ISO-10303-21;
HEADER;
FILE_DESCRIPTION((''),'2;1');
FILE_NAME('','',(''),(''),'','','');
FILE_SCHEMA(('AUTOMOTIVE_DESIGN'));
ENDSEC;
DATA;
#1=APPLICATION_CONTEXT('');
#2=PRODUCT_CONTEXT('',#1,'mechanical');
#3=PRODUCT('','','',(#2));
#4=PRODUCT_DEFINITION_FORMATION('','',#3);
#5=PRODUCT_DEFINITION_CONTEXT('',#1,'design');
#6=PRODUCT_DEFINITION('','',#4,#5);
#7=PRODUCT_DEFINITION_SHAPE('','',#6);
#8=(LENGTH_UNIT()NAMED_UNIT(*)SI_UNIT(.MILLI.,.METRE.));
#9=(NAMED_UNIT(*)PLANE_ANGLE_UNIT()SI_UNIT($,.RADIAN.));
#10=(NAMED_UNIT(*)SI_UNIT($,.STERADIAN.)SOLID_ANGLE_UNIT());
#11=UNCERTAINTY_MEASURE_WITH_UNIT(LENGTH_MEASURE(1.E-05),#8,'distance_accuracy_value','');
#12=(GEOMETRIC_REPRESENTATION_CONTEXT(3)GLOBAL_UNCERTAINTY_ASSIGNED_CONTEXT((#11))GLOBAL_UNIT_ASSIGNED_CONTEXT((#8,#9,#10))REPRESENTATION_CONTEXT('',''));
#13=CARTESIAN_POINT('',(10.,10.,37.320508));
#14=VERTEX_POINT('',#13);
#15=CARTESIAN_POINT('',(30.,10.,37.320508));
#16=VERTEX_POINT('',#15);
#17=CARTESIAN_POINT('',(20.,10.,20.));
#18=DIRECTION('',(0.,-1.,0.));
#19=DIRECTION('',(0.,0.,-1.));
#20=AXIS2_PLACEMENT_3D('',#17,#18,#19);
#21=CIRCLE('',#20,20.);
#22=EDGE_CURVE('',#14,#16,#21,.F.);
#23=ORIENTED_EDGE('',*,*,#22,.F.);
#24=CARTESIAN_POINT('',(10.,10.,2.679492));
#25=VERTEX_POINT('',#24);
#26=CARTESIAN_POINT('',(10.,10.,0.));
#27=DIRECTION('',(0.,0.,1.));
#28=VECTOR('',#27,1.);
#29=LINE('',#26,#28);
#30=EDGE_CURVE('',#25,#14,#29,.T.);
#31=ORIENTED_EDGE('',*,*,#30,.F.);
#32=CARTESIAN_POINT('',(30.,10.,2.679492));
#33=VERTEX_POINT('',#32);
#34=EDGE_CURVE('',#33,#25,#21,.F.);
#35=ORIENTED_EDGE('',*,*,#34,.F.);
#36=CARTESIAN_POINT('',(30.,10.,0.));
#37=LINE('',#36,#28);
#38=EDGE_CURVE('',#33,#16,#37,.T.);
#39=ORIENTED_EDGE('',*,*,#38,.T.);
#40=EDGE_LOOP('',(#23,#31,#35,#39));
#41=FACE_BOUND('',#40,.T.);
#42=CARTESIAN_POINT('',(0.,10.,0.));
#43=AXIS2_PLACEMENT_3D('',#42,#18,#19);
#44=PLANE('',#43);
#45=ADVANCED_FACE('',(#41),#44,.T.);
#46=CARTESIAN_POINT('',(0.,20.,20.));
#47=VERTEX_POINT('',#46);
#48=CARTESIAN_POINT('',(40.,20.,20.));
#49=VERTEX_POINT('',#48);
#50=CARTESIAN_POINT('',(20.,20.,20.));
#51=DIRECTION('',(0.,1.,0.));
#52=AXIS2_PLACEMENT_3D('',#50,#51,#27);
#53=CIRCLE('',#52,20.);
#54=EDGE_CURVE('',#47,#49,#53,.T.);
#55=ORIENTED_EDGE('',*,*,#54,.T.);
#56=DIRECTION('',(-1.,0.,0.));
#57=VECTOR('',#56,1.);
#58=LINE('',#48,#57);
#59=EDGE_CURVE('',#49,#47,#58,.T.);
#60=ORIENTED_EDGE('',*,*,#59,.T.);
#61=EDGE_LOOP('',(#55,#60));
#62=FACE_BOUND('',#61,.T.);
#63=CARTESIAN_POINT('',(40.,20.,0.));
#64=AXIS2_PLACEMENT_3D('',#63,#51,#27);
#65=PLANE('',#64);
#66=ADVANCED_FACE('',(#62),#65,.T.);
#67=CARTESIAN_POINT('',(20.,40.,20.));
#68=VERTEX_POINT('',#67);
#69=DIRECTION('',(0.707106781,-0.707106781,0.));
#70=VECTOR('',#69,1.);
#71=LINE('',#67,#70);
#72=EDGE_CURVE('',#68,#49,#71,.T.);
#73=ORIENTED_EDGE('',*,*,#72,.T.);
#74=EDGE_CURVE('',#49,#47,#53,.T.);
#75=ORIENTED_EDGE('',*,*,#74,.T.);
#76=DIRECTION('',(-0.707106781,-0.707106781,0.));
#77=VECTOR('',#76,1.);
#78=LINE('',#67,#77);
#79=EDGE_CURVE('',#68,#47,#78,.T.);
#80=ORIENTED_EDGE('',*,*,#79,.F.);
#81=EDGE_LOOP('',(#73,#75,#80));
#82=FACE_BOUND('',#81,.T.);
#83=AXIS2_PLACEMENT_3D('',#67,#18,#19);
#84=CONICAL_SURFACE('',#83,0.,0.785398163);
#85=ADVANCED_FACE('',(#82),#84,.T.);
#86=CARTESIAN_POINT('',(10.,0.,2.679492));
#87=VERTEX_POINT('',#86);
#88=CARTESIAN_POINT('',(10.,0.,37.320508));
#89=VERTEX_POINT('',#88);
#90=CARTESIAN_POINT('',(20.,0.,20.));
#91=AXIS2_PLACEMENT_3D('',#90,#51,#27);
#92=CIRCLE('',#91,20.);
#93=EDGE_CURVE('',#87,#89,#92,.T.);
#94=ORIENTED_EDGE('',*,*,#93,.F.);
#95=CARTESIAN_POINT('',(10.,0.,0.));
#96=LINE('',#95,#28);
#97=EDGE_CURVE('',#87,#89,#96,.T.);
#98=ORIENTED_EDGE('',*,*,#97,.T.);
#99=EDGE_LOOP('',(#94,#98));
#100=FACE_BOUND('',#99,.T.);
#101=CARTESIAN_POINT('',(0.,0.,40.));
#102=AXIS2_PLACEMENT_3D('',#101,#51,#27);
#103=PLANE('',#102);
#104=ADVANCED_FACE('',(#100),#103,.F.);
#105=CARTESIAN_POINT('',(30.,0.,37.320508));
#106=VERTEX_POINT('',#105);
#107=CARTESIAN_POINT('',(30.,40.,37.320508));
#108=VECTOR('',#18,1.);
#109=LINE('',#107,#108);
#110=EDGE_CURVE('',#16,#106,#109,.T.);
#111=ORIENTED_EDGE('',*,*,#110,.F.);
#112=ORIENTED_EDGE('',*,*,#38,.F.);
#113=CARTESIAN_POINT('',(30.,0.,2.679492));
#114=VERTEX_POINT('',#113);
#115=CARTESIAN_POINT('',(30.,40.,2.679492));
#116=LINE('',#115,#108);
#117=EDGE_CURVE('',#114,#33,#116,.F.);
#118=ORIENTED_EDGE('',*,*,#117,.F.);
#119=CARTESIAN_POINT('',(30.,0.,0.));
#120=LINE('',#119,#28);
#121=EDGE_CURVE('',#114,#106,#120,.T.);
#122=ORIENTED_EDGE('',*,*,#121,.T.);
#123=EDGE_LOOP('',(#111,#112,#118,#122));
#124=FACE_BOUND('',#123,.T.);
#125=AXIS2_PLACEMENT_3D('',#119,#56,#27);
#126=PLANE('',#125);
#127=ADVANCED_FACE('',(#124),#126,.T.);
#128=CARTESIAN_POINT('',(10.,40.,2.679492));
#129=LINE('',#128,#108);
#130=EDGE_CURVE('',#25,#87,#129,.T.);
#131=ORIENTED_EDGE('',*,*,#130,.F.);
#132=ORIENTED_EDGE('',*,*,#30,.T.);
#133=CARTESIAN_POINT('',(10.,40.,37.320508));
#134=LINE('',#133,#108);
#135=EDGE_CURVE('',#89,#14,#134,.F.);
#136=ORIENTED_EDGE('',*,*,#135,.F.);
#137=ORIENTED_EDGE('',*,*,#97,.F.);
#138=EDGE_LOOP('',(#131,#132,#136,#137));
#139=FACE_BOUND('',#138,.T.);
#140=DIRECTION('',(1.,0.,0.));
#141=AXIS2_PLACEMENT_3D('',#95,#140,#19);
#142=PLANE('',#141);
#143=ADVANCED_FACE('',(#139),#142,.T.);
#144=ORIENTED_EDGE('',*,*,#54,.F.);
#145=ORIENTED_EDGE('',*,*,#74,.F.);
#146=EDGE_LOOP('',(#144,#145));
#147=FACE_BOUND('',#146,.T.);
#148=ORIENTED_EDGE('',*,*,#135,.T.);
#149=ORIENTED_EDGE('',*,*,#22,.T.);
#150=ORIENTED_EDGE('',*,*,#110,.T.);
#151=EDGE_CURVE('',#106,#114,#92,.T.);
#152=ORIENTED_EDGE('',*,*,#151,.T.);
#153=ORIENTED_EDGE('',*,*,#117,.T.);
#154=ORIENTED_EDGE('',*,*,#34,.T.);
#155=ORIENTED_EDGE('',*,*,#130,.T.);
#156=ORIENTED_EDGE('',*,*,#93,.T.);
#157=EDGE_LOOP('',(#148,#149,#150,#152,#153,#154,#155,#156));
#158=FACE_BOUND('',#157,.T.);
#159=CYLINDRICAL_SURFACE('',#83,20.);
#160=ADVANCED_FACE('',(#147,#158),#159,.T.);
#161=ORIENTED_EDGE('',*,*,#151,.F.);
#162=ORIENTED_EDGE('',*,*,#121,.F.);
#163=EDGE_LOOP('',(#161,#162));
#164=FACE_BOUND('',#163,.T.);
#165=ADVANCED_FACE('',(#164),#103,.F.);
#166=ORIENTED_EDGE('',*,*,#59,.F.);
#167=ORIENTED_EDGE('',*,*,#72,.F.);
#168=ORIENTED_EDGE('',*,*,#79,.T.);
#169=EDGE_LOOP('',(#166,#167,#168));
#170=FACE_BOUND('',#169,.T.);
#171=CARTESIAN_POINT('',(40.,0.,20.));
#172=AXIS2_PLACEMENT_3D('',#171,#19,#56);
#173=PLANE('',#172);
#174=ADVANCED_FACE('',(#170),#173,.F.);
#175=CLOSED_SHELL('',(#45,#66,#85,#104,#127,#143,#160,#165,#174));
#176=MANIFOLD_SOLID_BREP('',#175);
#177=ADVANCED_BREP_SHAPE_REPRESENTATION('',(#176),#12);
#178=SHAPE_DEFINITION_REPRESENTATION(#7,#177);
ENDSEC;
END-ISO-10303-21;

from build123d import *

# Parameters (mm, degrees)
SKETCH1_W           = 40
SKETCH1_H           = 40
BOSS_EXTRUDE1_DEPTH = 40
SKETCH2_W           = 20
SKETCH2_H           = 10
CUT_EXTRUDE1_DEPTH  = 40
CUT_EXTRUDE2_DEPTH  = 40
SKETCH4_W           = 20
SKETCH4_H           = 20
CUT_EXTRUDE5_DEPTH  = 40
SKETCH5_R           = 20
CUT_EXTRUDE6_DEPTH  = 30
REVOLVE1_ANGLE      = 180


with BuildPart() as part:
    # Sketch1 → Boss-Extrude1 (new body)
    with BuildSketch(Plane.XY):
        with Locations((20, 20)):
            Rectangle(SKETCH1_W, SKETCH1_H)
    extrude(amount=BOSS_EXTRUDE1_DEPTH)

    # Sketch2 → Cut-Extrude1 (cut)
    with BuildSketch(Plane.XY.offset(40)):
        with Locations((20, 5)):
            Rectangle(SKETCH2_W, SKETCH2_H)
        Polygon((0, 40), (0, 20), (20, 40), align=None)
        Polygon((20, 40), (40, 20), (40, 40), align=None)
    extrude(amount=-CUT_EXTRUDE1_DEPTH, mode=Mode.SUBTRACT)

    # Sketch3 → Cut-Extrude2 (cut)
    with BuildSketch(Plane(origin=(0, 0, 0), x_dir=(1, 0, 0), z_dir=(0, 1, 0))):
        with BuildLine():
            Line((20, 0), (0, 0))
            Line((0, 0), (0, -20))
            ThreePointArc((0, -20), (5.857864376, -5.857864376), (20, 0))
        make_face()
        with BuildLine():
            Line((40, 0), (20, 0))
            ThreePointArc((20, 0), (34.142135624, -5.857864376), (40, -20))
            Line((40, -20), (40, 0))
        make_face()
        with BuildLine():
            Line((40, -40), (40, -20))
            ThreePointArc((40, -20), (34.142135624, -34.142135624), (20, -40))
            Line((20, -40), (40, -40))
        make_face()
        with BuildLine():
            ThreePointArc((20, -40), (5.857864376, -34.142135624), (0, -20))
            Line((0, -20), (0, -40))
            Line((0, -40), (20, -40))
        make_face()
    extrude(amount=CUT_EXTRUDE2_DEPTH, mode=Mode.SUBTRACT)

    # Sketch4 → Cut-Extrude5 (cut)
    with BuildSketch(Plane(origin=(0, 0, 0), x_dir=(0, 0, -1), z_dir=(1, 0, 0))):
        Polygon((0, 40), (0, 20), (-20, 40), align=None)
        with Locations((-30, 30)):
            Rectangle(SKETCH4_W, SKETCH4_H)
    extrude(amount=CUT_EXTRUDE5_DEPTH, mode=Mode.SUBTRACT)

    # Sketch5 → Cut-Extrude6 (cut)
    with BuildSketch(Plane(origin=(0, 20, 0), x_dir=(1, 0, 0), z_dir=(0, 1, 0))):
        with Locations((20, -20)):
            Circle(SKETCH5_R)
    extrude(amount=CUT_EXTRUDE6_DEPTH, mode=Mode.SUBTRACT)

    # Sketch6 → Revolve1 (revolve)
    with BuildSketch(Plane.XY.offset(20)):
        Polygon((20, 20), (20, 40), (0, 20), align=None)
    revolve(axis=Axis((20, 20, 20), (0, -1, 0)), revolution_arc=REVOLVE1_ANGLE)


solid = part.part
